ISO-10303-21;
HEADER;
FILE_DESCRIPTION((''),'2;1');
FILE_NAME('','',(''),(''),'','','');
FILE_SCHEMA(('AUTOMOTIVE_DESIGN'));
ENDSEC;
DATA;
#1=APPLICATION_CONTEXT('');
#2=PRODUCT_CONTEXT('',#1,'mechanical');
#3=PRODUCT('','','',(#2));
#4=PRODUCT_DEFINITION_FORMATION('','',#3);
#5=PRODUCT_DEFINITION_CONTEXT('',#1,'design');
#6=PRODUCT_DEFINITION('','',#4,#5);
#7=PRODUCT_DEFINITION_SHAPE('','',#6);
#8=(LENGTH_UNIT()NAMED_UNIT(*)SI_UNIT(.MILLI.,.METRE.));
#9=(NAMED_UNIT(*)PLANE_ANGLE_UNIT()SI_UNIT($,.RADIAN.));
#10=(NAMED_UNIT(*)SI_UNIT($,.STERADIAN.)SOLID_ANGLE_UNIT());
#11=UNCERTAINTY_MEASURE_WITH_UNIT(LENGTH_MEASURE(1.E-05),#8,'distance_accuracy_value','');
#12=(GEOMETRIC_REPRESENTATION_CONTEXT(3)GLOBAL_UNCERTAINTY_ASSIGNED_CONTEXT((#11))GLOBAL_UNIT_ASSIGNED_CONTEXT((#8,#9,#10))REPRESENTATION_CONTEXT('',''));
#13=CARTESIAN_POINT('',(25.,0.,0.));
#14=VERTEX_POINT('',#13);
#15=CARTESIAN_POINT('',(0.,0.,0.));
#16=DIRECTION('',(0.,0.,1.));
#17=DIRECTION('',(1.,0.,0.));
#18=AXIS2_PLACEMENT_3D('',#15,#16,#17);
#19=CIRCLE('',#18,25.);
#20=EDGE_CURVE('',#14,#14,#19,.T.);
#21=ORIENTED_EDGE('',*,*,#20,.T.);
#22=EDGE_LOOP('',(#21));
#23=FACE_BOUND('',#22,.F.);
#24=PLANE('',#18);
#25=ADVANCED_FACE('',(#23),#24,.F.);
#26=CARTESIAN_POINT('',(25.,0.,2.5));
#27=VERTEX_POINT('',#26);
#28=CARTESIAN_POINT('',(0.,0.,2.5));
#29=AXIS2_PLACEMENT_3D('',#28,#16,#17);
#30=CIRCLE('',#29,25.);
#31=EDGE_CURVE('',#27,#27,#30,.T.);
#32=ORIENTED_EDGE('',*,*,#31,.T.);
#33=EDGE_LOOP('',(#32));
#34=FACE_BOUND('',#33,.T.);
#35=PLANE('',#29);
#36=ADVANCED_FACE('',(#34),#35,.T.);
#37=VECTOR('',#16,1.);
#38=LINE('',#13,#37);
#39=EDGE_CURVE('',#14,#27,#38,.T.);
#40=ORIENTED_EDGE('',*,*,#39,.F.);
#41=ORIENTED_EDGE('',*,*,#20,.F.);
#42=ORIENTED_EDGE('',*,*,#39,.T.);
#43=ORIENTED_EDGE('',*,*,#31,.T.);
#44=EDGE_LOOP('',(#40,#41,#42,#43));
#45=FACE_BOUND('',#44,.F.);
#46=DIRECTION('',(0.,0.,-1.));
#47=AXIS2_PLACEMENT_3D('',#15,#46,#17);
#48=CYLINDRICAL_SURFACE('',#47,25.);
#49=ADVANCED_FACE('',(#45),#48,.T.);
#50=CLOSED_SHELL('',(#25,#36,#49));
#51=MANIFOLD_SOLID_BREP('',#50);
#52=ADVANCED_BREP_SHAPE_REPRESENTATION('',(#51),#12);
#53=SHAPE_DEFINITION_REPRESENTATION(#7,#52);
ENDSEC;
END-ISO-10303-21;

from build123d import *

# Parameters (mm, degrees)
F1_R     = 25
F2_DEPTH = 2.5


with BuildPart() as f2:
    # F1 (on face) → F2 (new body)
    with BuildSketch(Plane.XY):
        Circle(F1_R)
    extrude(amount=F2_DEPTH)


solid = f2.part
